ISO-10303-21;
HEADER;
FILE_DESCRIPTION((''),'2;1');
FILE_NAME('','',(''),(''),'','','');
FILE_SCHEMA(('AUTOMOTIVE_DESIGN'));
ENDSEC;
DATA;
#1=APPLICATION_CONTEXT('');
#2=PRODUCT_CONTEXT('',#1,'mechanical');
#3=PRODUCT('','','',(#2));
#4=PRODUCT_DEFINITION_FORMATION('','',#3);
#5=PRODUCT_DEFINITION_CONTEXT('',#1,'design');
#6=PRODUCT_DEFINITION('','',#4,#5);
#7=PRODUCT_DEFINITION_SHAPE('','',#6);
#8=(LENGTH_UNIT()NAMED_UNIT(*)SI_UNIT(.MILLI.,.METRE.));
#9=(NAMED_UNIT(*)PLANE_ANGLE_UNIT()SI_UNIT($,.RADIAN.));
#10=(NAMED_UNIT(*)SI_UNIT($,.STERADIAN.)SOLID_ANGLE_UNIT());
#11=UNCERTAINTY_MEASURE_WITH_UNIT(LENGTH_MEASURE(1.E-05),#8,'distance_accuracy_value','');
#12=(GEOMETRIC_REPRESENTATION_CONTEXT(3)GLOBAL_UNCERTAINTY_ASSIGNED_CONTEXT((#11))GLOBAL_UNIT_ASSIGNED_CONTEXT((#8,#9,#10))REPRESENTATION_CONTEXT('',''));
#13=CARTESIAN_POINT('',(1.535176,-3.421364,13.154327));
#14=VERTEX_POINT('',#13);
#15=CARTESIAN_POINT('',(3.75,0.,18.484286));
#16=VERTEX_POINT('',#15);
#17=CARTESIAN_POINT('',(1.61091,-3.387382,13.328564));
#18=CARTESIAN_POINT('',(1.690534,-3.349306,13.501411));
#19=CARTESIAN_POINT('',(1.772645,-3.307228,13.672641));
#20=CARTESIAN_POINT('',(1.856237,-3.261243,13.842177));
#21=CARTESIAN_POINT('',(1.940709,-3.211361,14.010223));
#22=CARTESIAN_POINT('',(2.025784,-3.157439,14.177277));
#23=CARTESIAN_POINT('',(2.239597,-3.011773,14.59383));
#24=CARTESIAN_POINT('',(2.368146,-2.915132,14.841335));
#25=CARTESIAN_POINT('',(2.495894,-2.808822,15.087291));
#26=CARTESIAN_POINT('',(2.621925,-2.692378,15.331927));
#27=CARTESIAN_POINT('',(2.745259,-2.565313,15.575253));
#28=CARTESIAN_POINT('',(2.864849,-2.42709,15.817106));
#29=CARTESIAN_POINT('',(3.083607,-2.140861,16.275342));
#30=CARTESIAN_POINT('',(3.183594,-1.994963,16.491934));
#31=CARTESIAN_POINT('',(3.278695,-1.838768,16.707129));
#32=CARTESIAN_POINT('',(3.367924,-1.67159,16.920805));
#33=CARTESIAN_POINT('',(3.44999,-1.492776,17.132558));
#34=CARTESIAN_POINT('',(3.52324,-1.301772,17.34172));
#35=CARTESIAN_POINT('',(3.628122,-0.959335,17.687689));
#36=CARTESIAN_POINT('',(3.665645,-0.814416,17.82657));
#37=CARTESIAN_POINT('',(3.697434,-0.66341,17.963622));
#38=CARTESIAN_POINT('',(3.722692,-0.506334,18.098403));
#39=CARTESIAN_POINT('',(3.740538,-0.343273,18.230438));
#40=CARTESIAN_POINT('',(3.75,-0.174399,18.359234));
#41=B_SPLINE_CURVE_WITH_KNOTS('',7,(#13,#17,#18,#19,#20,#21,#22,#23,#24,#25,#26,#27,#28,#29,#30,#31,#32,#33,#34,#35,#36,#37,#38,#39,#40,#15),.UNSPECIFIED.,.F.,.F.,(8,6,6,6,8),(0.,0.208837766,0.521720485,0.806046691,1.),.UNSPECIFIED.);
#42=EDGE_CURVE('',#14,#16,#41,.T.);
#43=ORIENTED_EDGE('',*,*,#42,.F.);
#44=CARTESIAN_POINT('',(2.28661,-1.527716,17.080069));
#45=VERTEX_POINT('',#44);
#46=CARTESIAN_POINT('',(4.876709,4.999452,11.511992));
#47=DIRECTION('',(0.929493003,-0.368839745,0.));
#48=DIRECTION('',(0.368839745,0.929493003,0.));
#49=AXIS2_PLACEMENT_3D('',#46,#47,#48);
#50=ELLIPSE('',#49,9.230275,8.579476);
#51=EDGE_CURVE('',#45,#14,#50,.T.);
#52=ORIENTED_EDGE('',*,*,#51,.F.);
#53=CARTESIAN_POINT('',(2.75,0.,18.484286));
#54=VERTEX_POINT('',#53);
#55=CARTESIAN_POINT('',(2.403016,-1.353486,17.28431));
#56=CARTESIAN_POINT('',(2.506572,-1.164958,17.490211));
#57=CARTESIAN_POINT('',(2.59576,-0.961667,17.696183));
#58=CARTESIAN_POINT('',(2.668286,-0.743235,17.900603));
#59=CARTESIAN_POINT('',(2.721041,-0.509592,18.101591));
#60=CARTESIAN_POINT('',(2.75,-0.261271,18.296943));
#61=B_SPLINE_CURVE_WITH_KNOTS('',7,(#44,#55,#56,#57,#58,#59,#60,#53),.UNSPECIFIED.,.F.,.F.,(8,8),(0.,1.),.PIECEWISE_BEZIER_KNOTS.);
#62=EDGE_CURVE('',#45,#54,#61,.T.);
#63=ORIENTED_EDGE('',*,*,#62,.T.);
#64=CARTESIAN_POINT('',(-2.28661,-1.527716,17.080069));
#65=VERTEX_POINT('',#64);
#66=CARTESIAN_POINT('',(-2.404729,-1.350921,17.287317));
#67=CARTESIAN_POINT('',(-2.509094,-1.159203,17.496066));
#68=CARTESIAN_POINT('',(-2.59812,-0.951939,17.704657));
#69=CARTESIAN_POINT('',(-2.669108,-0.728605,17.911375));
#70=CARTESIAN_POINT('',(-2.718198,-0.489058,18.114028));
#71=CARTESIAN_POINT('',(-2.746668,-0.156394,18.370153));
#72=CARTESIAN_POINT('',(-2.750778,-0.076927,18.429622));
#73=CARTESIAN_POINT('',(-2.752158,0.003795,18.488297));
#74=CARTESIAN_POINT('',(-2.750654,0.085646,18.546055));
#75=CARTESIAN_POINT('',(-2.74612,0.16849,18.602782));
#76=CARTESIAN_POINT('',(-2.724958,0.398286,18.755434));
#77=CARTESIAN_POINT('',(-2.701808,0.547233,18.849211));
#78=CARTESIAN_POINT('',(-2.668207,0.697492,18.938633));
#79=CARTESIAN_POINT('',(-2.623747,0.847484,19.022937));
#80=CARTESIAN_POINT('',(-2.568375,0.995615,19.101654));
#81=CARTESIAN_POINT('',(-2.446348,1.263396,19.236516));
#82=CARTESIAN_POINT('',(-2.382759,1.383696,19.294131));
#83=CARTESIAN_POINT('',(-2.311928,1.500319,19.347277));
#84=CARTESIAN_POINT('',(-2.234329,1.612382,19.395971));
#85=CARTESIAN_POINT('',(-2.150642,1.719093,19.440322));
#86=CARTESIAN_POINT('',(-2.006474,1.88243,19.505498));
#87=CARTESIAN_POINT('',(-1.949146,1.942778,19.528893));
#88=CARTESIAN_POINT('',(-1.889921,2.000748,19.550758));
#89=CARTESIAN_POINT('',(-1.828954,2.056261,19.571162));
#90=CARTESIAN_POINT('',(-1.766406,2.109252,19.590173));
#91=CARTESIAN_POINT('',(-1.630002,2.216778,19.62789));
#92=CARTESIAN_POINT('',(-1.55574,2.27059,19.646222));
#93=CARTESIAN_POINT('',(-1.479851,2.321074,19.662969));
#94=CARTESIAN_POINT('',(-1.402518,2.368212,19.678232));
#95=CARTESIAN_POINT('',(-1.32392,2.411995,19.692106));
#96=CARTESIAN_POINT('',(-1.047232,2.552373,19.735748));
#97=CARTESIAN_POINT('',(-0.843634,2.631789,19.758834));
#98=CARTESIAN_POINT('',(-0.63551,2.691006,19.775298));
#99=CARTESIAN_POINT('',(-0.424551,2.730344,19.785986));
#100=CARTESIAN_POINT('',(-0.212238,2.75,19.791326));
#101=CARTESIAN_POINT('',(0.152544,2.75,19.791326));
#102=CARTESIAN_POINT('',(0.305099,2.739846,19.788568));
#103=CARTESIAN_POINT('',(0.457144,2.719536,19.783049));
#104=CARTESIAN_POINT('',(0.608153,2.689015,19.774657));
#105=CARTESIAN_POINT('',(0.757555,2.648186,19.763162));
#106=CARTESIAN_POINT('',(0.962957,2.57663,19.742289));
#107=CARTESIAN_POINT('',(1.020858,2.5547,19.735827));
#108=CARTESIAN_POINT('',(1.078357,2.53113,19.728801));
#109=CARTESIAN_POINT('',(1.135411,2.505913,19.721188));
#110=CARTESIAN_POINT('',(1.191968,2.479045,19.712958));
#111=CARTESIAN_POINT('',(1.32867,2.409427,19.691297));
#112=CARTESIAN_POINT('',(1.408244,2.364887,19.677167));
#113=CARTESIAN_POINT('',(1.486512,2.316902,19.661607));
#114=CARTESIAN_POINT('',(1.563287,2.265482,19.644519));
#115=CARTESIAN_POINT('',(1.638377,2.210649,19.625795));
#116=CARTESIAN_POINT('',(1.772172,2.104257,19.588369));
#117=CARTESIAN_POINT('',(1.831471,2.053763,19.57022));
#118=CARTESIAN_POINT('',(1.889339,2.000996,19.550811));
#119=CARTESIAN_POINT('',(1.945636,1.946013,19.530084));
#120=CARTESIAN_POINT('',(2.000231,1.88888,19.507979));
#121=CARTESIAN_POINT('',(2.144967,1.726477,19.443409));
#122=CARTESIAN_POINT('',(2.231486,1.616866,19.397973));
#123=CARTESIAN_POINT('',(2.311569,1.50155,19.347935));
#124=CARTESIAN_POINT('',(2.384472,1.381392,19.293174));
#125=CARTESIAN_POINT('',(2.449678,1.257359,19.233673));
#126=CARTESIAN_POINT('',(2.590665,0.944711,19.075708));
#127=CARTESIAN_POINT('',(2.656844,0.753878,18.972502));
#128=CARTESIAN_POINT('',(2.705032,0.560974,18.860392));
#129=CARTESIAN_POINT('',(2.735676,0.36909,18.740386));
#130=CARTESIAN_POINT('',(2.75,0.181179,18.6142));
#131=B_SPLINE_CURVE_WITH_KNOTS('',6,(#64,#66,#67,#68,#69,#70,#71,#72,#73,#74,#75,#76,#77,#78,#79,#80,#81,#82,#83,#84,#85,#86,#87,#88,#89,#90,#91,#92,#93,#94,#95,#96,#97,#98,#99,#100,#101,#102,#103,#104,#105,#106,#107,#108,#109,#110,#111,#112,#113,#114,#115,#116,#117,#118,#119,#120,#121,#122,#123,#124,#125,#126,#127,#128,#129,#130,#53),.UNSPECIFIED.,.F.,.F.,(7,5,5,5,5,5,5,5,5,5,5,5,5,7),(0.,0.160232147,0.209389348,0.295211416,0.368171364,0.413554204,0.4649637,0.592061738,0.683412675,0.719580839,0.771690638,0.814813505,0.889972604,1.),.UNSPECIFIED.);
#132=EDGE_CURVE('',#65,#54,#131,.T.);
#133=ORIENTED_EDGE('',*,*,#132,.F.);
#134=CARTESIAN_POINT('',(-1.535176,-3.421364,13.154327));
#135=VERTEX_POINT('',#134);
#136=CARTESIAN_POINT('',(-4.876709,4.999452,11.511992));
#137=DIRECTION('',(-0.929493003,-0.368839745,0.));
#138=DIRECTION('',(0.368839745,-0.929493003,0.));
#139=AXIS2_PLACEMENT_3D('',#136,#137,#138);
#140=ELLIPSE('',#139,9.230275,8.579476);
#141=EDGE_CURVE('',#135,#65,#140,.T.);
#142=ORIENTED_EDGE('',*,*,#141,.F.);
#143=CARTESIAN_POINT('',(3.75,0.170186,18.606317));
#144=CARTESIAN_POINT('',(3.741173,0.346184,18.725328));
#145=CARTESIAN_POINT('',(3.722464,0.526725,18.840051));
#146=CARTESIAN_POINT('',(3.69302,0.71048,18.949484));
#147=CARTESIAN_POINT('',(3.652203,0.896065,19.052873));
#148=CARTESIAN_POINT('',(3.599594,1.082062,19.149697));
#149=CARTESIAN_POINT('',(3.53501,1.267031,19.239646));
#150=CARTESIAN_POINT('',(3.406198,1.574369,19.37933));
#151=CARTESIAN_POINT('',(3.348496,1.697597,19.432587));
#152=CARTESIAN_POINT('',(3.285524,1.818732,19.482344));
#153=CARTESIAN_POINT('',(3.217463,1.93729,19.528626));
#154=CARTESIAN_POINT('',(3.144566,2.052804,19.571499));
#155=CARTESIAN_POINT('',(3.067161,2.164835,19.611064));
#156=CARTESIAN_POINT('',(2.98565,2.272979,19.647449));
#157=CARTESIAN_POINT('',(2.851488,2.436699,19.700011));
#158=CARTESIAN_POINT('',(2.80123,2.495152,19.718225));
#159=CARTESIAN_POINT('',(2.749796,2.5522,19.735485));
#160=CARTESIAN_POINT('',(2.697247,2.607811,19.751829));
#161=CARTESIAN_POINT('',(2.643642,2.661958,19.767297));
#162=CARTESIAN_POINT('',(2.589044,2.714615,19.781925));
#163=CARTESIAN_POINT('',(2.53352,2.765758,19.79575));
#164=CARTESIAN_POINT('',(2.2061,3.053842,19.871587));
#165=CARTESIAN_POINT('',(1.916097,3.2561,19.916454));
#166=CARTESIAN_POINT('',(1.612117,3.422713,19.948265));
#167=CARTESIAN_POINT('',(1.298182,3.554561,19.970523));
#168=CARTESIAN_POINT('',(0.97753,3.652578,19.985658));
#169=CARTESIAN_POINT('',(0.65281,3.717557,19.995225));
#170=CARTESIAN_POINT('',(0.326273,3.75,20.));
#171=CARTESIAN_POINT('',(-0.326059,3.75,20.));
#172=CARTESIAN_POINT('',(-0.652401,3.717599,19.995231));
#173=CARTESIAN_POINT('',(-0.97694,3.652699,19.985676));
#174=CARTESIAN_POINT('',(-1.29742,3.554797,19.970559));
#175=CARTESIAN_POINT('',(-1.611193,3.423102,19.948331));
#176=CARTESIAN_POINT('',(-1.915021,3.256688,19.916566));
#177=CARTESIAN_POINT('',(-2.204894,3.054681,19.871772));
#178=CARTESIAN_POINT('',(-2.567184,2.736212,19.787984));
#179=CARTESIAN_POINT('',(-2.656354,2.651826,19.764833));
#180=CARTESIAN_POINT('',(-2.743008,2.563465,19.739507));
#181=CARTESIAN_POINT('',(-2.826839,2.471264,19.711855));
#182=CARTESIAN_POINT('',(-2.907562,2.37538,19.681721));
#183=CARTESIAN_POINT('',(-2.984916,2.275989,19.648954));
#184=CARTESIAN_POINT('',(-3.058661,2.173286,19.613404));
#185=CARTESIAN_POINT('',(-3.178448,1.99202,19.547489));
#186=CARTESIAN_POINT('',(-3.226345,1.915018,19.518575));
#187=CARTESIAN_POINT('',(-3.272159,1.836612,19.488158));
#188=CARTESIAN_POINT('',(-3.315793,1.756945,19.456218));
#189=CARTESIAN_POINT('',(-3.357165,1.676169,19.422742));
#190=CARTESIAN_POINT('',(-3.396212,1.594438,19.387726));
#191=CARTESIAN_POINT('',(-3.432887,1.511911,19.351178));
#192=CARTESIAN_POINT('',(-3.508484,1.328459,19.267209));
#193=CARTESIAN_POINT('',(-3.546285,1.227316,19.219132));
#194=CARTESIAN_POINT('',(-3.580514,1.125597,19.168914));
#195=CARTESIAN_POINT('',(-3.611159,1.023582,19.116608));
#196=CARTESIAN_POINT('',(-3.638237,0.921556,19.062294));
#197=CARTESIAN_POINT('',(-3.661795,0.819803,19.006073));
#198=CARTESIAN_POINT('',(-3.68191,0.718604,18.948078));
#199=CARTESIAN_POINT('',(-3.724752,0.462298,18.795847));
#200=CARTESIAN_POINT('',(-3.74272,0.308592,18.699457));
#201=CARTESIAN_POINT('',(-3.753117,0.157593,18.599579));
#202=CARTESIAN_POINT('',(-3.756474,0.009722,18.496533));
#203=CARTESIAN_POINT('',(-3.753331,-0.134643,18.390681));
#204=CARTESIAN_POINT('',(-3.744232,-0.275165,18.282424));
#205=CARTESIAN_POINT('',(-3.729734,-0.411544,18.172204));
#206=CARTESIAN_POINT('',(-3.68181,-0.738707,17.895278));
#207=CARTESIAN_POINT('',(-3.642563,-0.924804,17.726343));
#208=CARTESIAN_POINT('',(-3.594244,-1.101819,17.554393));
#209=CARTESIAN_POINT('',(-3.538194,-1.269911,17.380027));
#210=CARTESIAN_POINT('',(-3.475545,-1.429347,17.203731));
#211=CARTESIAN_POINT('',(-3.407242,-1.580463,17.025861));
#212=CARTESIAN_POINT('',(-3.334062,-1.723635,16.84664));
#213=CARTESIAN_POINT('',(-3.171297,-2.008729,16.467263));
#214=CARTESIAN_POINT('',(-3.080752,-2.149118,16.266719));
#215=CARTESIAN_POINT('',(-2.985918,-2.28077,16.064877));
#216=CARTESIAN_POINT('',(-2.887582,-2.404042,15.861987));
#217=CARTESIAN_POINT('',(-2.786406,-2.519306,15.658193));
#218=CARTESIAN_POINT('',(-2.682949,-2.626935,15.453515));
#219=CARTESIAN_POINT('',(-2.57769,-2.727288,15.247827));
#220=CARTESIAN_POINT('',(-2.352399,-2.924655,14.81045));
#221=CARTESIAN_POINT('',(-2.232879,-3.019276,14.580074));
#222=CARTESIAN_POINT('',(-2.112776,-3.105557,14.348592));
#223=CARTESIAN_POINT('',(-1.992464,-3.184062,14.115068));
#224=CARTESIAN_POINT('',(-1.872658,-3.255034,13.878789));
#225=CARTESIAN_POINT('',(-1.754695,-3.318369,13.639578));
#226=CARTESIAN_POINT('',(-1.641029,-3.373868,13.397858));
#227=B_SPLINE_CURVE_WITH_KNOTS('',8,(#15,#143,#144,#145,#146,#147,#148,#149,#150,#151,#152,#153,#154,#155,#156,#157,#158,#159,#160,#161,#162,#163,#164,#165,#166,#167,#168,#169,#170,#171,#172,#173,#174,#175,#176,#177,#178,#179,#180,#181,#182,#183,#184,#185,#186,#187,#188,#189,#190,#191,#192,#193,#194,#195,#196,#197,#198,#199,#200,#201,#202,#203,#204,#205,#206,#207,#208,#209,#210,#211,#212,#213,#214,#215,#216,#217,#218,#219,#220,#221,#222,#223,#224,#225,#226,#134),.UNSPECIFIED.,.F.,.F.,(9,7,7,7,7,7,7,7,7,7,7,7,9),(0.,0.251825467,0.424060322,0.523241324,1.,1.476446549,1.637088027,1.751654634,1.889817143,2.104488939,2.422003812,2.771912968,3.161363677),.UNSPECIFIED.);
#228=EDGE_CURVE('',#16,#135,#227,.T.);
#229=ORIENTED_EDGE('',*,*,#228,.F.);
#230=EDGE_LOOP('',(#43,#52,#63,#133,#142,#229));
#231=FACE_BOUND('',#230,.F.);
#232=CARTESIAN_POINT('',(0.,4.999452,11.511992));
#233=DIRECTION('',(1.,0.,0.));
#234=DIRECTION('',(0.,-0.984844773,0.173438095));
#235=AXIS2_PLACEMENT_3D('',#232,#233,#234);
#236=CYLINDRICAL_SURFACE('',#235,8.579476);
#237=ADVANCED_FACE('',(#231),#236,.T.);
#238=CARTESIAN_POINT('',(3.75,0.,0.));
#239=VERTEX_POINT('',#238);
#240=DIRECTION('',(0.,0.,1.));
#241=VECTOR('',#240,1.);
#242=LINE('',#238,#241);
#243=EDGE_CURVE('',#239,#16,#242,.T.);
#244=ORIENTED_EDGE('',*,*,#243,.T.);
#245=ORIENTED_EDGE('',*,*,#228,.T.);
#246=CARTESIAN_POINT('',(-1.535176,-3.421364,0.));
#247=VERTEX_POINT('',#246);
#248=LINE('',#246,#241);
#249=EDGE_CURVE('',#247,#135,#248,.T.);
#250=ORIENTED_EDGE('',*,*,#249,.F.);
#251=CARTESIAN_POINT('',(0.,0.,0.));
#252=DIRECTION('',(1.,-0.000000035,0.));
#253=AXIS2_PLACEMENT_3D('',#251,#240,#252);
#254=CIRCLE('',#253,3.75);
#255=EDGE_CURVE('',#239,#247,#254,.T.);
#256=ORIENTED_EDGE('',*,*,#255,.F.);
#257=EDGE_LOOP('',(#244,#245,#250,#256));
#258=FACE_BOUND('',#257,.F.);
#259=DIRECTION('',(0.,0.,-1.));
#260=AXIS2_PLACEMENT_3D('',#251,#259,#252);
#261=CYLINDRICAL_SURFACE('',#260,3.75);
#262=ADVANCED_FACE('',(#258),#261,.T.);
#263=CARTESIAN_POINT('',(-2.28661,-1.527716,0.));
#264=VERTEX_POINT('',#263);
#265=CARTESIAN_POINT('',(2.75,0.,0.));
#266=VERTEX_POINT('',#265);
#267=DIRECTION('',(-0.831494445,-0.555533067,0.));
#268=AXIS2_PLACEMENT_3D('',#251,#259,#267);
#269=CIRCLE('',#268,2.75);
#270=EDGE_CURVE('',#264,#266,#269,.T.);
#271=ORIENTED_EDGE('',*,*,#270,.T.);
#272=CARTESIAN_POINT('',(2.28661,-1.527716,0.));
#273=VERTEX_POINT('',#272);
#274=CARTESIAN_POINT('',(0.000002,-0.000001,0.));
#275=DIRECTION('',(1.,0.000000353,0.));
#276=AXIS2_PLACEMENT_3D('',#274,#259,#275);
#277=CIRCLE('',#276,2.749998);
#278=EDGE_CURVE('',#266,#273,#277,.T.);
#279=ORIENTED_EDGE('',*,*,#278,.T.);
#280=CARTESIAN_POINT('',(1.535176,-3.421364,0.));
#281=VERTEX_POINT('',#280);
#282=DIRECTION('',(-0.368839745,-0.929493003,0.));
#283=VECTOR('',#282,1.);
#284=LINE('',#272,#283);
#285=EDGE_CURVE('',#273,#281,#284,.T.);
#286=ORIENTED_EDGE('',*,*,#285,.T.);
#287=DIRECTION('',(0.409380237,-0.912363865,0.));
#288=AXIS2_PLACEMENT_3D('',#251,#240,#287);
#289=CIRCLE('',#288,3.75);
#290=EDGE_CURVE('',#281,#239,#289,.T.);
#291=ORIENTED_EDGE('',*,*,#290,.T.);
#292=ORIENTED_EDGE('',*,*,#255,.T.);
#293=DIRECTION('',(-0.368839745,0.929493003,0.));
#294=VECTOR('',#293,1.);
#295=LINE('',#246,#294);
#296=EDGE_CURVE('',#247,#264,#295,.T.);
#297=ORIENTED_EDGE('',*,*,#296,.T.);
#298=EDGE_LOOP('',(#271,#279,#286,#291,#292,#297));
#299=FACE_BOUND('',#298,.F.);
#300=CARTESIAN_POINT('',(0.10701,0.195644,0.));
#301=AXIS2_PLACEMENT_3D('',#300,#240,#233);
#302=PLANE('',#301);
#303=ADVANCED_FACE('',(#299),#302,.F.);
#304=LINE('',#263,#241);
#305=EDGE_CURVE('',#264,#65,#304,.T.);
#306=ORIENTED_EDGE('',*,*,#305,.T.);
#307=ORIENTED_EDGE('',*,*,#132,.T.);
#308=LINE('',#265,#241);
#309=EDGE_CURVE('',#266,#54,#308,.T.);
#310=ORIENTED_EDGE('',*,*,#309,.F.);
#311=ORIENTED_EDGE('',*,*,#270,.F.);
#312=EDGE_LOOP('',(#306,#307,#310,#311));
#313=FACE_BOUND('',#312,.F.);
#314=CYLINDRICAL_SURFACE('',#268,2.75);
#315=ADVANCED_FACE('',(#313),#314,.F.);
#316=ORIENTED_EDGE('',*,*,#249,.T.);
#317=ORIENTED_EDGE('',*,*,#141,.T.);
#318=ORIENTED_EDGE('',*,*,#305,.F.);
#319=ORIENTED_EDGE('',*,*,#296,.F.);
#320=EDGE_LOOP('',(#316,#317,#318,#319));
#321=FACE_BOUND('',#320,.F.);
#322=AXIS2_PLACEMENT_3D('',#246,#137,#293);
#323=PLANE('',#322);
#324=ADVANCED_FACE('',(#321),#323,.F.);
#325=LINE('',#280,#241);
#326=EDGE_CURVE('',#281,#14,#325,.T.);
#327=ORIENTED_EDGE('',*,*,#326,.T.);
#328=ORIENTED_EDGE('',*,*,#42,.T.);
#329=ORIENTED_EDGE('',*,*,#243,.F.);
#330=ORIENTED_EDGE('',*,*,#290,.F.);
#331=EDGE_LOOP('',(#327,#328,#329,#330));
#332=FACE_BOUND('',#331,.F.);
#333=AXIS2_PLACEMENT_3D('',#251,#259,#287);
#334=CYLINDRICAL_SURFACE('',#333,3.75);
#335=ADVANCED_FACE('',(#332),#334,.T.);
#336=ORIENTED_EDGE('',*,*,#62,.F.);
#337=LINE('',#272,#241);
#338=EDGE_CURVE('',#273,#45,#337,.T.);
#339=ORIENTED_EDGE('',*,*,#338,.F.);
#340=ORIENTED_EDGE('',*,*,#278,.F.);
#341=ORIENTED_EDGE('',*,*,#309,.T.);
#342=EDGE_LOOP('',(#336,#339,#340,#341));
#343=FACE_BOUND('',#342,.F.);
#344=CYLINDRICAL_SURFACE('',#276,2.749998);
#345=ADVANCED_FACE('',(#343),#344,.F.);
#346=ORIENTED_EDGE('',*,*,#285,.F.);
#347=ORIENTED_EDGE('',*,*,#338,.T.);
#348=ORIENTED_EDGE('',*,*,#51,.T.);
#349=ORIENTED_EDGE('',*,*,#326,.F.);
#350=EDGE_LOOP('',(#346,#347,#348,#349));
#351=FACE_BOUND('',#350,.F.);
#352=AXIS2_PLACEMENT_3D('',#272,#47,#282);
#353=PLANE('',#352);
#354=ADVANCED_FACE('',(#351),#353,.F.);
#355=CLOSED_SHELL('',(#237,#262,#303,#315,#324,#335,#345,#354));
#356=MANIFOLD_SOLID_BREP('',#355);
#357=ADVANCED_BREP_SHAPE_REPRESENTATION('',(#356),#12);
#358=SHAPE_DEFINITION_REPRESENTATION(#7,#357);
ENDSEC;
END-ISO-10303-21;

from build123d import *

# Parameters (mm, degrees)
F1_DEPTH = 20
F3_DEPTH = 12.7


with BuildPart() as f1:
    # F0 (on Top) → F1 (new body)
    with BuildSketch(Plane.XY):
        with BuildLine():
            ThreePointArc((-2.28661, -1.527716), (-0.798224, 2.631604), (2.75, 0))
            ThreePointArc((2.75, 0), (2.631604, -0.798224), (2.28661, -1.527716))
            Line((2.28661, -1.527716), (1.535176, -3.421364))
            ThreePointArc((1.535176, -3.421364), (3.147968, -2.037841), (3.75, 0))
            ThreePointArc((3.75, 0), (-2.037841, 3.147968), (-1.535176, -3.421364))
            Line((-1.535176, -3.421364), (-2.28661, -1.527716))
        make_face()
    extrude(amount=F1_DEPTH)

    # F2 (on Right) → F3 (cut, symmetric)
    with BuildSketch(Plane.YZ):
        with BuildLine():
            Line((-3.45, 20), (-3.45, 13))
            ThreePointArc((-3.45, 13), (-0.981115, 17.663433), (3.75, 20))
            Line((3.75, 20), (-3.45, 20))
        make_face()
    extrude(amount=F3_DEPTH, both=True, mode=Mode.SUBTRACT)


solid = f1.part
